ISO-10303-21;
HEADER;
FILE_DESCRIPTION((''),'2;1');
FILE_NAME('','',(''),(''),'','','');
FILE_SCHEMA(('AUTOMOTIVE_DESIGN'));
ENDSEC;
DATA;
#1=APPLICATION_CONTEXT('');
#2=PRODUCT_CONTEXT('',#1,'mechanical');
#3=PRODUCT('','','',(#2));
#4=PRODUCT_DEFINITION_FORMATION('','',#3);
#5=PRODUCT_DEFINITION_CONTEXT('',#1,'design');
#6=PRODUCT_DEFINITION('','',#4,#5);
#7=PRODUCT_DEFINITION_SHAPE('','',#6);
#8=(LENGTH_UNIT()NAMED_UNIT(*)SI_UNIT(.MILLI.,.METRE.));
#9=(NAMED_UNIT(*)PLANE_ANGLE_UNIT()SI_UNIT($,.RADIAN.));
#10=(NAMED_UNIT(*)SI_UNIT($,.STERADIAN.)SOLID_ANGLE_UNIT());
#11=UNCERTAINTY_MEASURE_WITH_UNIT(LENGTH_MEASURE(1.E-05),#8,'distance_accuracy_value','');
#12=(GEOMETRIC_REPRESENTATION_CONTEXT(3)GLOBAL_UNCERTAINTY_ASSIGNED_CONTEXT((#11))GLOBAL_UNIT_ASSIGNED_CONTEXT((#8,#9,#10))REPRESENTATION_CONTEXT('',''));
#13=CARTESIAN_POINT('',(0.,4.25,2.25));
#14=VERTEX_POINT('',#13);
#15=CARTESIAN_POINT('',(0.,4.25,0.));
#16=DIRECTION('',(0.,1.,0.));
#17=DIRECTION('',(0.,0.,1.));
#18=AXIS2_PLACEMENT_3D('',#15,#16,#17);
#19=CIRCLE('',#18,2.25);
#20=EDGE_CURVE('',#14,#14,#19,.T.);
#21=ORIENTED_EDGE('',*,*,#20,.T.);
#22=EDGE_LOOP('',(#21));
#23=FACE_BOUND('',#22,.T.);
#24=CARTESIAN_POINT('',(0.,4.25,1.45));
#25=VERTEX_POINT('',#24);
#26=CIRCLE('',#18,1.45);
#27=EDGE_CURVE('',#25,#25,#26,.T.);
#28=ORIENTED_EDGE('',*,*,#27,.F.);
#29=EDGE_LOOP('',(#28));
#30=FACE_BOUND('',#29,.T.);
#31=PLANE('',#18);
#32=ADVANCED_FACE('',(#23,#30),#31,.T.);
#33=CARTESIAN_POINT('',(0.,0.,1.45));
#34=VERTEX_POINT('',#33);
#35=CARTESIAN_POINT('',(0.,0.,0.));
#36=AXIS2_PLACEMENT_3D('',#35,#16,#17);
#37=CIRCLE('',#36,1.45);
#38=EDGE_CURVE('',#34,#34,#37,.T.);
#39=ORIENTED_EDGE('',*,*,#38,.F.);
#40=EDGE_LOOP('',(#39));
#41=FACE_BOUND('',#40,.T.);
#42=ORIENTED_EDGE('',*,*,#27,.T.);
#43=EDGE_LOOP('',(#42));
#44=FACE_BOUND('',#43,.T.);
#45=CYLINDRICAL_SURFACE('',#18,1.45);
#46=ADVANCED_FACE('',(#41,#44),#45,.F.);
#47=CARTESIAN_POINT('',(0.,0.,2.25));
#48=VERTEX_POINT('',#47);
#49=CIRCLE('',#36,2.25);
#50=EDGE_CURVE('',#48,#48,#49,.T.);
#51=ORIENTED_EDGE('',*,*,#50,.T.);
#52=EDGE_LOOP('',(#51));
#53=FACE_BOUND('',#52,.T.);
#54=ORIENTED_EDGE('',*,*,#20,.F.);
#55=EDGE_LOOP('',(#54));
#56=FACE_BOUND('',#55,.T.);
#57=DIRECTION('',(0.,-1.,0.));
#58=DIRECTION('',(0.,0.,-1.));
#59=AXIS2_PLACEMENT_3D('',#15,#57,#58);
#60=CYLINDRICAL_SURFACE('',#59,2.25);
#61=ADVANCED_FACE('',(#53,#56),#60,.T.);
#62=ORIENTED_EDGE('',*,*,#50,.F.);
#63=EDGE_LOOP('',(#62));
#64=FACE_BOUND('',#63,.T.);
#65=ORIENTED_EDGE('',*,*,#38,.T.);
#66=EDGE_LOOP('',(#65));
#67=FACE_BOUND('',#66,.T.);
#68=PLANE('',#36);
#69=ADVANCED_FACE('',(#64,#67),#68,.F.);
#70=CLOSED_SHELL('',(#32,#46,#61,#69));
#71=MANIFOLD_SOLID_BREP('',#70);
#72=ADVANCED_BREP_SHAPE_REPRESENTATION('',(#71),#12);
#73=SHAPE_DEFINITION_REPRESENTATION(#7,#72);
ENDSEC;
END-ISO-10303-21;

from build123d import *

# Parameters (mm, degrees)
SKETCH1_R              = 2.25
BOSS_EXTRUDE1_DEPTH    = 4.25
M2_5_CLEARANCE_HOLE1_D = 2.9


with BuildPart() as part:
    # Sketch1 → Boss-Extrude1 (new body)
    with BuildSketch(Plane(origin=(0, 0, 0), x_dir=(1, 0, 0), z_dir=(0, 1, 0))):
        Circle(SKETCH1_R)
    extrude(amount=BOSS_EXTRUDE1_DEPTH)

    # M2.5 Clearance Hole1 (through all)
    with Locations(Plane(origin=(0, 4.25, 0), x_dir=(1, 0, 0), z_dir=(0, 1, 0))):
        with Locations((0, 0)):
            Hole(M2_5_CLEARANCE_HOLE1_D / 2)


solid = part.part
